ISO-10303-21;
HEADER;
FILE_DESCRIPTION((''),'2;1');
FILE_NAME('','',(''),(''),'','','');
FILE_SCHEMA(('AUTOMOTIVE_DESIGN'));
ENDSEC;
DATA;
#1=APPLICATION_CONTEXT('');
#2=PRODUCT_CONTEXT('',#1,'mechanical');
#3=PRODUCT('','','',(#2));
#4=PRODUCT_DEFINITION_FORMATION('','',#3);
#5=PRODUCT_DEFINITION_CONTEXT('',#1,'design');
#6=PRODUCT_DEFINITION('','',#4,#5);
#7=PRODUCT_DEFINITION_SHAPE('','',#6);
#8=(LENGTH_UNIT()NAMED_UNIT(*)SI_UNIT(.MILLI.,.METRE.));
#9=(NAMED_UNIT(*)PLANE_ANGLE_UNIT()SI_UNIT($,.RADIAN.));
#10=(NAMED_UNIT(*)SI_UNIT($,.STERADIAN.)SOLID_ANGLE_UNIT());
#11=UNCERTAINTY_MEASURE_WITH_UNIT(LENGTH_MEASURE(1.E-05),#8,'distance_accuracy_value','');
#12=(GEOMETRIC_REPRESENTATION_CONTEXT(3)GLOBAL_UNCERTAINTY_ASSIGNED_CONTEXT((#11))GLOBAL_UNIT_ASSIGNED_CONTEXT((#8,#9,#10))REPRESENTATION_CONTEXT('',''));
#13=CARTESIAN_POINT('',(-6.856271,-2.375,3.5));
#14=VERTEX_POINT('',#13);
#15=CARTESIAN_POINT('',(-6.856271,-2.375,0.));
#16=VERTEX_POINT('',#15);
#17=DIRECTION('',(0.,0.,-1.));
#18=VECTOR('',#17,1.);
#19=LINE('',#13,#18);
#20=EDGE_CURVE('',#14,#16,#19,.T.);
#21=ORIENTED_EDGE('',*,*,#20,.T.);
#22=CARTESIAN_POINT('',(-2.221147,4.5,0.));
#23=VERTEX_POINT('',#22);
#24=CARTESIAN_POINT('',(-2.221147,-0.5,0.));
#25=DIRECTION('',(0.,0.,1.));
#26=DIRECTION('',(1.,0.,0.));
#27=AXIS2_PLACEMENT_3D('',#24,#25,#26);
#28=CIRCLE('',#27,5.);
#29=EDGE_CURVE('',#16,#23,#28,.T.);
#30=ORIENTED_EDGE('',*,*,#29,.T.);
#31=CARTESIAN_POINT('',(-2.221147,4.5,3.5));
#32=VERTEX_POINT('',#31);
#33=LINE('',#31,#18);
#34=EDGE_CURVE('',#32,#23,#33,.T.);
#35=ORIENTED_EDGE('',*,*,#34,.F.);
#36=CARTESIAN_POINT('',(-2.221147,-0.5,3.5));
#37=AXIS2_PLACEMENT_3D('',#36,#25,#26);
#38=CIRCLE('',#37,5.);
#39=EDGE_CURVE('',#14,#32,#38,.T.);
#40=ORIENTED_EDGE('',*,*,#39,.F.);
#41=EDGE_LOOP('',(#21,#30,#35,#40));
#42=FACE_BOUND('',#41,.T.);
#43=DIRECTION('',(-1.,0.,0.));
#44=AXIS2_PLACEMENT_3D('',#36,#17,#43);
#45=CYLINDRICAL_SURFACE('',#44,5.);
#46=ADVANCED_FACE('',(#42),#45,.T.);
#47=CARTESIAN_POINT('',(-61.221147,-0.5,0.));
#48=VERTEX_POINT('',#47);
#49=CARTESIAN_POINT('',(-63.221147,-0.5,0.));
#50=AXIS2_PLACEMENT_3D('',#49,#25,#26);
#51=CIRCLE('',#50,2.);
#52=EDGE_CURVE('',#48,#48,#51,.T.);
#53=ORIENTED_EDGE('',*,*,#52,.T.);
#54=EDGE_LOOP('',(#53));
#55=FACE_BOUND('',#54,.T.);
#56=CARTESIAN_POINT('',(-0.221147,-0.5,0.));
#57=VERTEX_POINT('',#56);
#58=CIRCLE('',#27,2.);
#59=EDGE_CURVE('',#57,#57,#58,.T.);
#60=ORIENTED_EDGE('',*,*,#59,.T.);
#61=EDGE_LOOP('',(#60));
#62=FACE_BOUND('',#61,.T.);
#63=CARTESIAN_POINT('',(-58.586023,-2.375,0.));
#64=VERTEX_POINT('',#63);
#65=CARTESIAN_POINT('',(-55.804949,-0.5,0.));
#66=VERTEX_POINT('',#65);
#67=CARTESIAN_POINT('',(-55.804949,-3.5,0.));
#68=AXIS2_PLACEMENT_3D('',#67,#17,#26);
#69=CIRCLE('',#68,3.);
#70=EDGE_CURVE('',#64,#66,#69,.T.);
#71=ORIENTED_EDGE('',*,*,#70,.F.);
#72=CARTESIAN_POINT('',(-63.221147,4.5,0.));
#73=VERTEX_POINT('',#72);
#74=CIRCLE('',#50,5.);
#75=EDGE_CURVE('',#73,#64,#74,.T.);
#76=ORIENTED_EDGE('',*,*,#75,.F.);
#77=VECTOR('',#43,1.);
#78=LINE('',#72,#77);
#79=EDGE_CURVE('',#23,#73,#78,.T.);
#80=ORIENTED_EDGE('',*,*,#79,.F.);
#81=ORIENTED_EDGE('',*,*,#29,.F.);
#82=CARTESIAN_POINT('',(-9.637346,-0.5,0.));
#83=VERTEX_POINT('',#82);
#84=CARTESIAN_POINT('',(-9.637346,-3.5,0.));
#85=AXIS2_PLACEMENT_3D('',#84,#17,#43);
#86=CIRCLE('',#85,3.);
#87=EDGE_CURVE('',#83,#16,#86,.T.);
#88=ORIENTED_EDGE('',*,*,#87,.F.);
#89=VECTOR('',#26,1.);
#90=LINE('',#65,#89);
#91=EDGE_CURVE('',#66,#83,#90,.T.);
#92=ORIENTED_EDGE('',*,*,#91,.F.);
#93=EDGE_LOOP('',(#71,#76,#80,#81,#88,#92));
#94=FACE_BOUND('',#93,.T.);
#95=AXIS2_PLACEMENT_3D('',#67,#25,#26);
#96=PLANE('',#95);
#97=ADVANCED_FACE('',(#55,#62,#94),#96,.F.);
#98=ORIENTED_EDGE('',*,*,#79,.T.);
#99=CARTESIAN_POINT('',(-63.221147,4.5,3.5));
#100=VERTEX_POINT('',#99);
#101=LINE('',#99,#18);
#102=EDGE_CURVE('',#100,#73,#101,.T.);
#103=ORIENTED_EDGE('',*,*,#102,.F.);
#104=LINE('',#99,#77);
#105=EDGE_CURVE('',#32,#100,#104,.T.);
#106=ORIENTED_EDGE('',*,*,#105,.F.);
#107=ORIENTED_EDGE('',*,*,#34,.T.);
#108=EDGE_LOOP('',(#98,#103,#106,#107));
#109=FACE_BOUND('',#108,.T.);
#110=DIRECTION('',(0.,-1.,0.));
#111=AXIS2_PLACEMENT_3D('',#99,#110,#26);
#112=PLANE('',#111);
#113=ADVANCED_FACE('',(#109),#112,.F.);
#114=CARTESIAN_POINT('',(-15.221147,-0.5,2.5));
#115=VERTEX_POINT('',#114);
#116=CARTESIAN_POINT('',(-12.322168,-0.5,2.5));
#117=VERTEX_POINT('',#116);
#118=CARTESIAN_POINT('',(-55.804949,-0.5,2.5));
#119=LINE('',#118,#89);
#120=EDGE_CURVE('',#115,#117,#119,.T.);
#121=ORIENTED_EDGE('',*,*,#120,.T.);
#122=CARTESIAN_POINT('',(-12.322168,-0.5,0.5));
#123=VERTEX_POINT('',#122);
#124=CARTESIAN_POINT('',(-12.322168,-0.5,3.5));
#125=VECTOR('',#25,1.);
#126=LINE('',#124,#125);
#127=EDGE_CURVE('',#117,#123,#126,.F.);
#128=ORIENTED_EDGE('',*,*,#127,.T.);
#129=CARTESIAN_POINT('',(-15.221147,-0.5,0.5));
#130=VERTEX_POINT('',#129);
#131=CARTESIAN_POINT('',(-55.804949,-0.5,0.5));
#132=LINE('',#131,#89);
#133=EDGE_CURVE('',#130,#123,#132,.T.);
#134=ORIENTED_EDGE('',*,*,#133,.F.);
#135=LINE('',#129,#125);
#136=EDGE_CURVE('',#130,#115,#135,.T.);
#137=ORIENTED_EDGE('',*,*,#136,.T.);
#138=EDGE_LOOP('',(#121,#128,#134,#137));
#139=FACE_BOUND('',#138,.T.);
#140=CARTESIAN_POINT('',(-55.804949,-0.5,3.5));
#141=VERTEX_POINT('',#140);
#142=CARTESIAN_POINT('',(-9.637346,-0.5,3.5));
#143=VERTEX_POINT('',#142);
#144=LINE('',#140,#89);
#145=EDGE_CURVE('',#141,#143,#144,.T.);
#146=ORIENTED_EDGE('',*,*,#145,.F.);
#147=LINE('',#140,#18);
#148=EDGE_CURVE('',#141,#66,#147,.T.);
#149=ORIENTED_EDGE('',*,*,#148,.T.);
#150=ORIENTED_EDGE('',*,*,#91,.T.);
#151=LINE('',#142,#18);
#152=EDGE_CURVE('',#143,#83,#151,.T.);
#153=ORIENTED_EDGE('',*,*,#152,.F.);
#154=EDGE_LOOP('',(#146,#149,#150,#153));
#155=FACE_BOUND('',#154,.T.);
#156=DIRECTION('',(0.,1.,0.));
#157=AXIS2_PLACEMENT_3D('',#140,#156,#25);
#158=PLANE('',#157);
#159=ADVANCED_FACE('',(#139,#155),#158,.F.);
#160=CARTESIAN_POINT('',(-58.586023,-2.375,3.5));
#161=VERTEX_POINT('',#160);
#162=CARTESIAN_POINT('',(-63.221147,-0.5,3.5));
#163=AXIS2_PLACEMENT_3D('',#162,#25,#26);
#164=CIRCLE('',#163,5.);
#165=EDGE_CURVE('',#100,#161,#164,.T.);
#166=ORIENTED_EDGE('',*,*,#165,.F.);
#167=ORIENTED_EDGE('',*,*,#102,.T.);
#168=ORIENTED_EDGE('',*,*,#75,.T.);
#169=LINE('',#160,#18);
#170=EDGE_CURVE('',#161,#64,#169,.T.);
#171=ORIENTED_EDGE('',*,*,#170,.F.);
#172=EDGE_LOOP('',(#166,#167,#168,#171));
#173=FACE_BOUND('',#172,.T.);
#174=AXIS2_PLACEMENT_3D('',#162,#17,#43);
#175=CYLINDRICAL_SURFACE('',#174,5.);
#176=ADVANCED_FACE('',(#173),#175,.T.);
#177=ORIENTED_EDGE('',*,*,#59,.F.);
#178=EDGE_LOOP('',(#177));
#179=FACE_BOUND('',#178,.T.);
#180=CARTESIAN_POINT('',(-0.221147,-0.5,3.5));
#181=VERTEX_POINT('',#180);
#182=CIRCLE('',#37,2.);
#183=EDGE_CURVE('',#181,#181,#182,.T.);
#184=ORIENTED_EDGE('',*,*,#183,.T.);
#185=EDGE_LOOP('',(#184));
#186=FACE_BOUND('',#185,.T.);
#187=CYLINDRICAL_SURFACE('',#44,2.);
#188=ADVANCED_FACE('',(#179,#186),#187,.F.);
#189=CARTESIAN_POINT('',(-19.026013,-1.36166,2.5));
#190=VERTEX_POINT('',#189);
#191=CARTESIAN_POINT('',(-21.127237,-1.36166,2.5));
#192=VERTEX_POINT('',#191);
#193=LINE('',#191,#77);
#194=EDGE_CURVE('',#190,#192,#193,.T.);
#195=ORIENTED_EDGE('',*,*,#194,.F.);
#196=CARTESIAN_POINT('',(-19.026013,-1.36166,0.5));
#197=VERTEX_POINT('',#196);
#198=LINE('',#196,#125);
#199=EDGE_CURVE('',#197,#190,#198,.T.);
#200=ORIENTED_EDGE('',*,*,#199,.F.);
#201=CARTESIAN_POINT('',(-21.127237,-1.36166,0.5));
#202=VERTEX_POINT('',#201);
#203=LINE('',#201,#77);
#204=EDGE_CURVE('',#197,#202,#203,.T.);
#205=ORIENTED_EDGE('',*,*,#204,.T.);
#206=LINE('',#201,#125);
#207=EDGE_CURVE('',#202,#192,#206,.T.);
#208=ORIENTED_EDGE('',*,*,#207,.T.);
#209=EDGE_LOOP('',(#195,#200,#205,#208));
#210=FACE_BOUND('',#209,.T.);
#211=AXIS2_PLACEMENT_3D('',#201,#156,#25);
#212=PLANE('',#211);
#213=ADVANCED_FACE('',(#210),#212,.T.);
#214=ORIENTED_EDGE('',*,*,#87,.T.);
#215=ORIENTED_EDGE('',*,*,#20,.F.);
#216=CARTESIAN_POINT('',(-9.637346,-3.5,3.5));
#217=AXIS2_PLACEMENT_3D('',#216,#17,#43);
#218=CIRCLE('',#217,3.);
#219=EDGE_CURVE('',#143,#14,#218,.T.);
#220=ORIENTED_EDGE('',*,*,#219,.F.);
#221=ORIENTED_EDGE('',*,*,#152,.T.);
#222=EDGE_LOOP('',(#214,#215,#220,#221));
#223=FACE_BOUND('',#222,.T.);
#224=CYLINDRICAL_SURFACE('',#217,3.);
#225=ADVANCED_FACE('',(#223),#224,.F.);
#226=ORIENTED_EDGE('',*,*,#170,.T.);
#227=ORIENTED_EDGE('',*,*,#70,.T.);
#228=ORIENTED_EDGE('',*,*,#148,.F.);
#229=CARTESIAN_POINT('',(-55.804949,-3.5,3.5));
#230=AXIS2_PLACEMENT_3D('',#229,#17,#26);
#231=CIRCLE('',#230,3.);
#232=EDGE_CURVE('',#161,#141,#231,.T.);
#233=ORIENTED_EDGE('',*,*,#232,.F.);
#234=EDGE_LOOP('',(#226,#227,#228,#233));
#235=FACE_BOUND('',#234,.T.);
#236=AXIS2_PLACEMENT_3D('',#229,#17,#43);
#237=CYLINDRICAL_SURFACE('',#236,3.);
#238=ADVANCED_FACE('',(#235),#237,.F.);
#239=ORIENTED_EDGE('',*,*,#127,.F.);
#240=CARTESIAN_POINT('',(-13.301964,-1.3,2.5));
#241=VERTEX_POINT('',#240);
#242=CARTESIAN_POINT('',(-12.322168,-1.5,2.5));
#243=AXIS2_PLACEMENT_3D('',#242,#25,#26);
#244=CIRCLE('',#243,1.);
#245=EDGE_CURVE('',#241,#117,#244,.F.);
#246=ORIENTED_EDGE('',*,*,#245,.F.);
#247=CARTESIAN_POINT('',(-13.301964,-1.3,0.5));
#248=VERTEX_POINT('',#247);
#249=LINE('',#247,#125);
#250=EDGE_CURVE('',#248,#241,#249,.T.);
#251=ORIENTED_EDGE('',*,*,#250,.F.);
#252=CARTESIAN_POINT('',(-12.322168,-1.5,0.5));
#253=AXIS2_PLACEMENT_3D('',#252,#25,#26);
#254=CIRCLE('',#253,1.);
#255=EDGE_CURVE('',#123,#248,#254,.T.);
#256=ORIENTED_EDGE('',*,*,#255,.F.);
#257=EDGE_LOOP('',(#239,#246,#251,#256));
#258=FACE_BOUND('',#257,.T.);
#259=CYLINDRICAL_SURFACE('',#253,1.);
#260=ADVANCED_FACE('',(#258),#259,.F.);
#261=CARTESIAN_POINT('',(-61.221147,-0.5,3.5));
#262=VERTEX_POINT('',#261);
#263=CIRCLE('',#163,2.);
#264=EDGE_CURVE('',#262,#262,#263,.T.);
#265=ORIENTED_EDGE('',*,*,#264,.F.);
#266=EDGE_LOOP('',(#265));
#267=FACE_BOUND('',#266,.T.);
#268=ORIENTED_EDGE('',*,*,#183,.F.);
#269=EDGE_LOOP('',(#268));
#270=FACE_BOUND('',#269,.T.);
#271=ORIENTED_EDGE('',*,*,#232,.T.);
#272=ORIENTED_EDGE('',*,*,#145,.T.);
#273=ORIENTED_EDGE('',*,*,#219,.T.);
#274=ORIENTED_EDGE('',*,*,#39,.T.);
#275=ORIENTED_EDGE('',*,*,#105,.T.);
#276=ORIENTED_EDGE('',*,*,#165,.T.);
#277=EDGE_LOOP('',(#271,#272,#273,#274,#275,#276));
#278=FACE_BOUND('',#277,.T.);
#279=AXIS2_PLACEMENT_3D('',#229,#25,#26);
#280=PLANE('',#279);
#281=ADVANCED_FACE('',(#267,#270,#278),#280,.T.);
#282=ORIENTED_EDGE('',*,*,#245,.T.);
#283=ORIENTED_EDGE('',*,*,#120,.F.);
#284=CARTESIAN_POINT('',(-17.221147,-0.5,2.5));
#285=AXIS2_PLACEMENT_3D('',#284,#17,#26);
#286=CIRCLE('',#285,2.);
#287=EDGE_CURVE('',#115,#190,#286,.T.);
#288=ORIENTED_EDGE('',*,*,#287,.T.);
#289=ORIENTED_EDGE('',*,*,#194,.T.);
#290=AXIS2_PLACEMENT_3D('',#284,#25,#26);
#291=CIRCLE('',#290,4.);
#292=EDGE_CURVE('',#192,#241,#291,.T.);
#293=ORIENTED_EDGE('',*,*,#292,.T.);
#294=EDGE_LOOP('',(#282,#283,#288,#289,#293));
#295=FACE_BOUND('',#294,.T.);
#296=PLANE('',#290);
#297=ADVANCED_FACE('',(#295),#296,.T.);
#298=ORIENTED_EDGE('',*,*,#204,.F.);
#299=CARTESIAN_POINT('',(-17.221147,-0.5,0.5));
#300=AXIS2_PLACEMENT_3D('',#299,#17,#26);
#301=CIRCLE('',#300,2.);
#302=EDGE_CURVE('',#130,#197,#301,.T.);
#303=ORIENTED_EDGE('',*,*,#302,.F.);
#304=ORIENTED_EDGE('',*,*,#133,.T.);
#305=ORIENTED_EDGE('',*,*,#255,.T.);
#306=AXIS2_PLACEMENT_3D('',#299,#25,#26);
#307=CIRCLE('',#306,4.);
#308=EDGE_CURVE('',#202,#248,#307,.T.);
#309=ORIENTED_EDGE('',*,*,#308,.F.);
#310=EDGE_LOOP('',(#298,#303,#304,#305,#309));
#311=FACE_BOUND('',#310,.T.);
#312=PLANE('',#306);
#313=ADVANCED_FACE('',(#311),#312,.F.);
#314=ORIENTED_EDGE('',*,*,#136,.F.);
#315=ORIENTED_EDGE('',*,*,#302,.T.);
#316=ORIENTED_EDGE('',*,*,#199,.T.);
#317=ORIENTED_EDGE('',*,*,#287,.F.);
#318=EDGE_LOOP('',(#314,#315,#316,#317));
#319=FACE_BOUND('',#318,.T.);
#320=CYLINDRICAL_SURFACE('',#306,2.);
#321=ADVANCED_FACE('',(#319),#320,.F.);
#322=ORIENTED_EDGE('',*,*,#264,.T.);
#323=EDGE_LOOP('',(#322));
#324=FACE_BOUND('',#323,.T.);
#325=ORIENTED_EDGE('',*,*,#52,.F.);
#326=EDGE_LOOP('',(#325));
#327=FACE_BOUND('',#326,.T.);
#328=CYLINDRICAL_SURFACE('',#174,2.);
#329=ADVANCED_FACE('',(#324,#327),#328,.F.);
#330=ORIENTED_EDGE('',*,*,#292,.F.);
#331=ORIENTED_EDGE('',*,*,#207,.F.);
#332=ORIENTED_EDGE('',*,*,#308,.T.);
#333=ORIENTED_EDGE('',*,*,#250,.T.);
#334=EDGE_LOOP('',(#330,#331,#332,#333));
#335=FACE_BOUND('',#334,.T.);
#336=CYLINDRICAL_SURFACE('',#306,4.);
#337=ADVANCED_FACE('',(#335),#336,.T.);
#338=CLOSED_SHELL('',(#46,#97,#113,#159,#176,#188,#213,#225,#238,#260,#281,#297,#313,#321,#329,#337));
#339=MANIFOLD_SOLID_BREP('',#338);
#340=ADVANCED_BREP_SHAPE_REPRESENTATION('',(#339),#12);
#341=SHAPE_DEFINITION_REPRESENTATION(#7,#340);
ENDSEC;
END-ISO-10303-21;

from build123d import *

# Parameters (mm, degrees)
SKETCH1_R           = 2
BOSS_EXTRUDE1_DEPTH = 3.5
BOSS_EXTRUDE3_START = -1
BOSS_EXTRUDE3_DEPTH = 2
FILLET1_R           = 1


with BuildPart() as part:
    # Sketch1 → Boss-Extrude1 (new body)
    with BuildSketch(Plane.XY):
        with BuildLine():
            Line((-63.221147144, 4.5), (-2.221147144, 4.5))
            ThreePointArc((-2.221147144, 4.5), (1.924633844, -3.295084972), (-6.856271198, -2.375))
            ThreePointArc((-6.856271198, -2.375), (-7.960294648, -1.012531407), (-9.637345631, -0.5))
            Line((-9.637345631, -0.5), (-55.804948657, -0.5))
            ThreePointArc((-55.804948657, -0.5), (-57.48199964, -1.012531407), (-58.586023089, -2.375))
            ThreePointArc((-58.586023089, -2.375), (-67.366928132, -3.295084972), (-63.221147144, 4.5))
        make_face()
        with Locations((-63.221147144, -0.5)):
            Circle(SKETCH1_R, mode=Mode.SUBTRACT)
        with Locations((-2.221147144, -0.5)):
            Circle(SKETCH1_R, mode=Mode.SUBTRACT)
    extrude(amount=BOSS_EXTRUDE1_DEPTH)

    # Sketch3 → Boss-Extrude3 (add)
    with BuildSketch(Plane.XY.offset(3.5).offset(BOSS_EXTRUDE3_START)):
        with BuildLine():
            Line((-21.127237453, -1.361660316), (-19.026013205, -1.361660316))
            ThreePointArc((-19.026013205, -1.361660316), (-15.270540556, -0.058260327), (-19.221147144, -0.5))
            Line((-19.221147144, -0.5), (-21.221147144, -0.5))
            ThreePointArc((-21.221147144, -0.5), (-13.244693873, -0.066618664), (-21.127237453, -1.361660316))
        make_face()
    extrude(amount=-BOSS_EXTRUDE3_DEPTH)

    # Fillet1
    fillet1_edges = [part.edges().sort_by_distance(p)[0] for p in [
        (-13.221147144, -0.5, 1.5),
    ]]
    fillet(fillet1_edges, radius=FILLET1_R)


solid = part.part
